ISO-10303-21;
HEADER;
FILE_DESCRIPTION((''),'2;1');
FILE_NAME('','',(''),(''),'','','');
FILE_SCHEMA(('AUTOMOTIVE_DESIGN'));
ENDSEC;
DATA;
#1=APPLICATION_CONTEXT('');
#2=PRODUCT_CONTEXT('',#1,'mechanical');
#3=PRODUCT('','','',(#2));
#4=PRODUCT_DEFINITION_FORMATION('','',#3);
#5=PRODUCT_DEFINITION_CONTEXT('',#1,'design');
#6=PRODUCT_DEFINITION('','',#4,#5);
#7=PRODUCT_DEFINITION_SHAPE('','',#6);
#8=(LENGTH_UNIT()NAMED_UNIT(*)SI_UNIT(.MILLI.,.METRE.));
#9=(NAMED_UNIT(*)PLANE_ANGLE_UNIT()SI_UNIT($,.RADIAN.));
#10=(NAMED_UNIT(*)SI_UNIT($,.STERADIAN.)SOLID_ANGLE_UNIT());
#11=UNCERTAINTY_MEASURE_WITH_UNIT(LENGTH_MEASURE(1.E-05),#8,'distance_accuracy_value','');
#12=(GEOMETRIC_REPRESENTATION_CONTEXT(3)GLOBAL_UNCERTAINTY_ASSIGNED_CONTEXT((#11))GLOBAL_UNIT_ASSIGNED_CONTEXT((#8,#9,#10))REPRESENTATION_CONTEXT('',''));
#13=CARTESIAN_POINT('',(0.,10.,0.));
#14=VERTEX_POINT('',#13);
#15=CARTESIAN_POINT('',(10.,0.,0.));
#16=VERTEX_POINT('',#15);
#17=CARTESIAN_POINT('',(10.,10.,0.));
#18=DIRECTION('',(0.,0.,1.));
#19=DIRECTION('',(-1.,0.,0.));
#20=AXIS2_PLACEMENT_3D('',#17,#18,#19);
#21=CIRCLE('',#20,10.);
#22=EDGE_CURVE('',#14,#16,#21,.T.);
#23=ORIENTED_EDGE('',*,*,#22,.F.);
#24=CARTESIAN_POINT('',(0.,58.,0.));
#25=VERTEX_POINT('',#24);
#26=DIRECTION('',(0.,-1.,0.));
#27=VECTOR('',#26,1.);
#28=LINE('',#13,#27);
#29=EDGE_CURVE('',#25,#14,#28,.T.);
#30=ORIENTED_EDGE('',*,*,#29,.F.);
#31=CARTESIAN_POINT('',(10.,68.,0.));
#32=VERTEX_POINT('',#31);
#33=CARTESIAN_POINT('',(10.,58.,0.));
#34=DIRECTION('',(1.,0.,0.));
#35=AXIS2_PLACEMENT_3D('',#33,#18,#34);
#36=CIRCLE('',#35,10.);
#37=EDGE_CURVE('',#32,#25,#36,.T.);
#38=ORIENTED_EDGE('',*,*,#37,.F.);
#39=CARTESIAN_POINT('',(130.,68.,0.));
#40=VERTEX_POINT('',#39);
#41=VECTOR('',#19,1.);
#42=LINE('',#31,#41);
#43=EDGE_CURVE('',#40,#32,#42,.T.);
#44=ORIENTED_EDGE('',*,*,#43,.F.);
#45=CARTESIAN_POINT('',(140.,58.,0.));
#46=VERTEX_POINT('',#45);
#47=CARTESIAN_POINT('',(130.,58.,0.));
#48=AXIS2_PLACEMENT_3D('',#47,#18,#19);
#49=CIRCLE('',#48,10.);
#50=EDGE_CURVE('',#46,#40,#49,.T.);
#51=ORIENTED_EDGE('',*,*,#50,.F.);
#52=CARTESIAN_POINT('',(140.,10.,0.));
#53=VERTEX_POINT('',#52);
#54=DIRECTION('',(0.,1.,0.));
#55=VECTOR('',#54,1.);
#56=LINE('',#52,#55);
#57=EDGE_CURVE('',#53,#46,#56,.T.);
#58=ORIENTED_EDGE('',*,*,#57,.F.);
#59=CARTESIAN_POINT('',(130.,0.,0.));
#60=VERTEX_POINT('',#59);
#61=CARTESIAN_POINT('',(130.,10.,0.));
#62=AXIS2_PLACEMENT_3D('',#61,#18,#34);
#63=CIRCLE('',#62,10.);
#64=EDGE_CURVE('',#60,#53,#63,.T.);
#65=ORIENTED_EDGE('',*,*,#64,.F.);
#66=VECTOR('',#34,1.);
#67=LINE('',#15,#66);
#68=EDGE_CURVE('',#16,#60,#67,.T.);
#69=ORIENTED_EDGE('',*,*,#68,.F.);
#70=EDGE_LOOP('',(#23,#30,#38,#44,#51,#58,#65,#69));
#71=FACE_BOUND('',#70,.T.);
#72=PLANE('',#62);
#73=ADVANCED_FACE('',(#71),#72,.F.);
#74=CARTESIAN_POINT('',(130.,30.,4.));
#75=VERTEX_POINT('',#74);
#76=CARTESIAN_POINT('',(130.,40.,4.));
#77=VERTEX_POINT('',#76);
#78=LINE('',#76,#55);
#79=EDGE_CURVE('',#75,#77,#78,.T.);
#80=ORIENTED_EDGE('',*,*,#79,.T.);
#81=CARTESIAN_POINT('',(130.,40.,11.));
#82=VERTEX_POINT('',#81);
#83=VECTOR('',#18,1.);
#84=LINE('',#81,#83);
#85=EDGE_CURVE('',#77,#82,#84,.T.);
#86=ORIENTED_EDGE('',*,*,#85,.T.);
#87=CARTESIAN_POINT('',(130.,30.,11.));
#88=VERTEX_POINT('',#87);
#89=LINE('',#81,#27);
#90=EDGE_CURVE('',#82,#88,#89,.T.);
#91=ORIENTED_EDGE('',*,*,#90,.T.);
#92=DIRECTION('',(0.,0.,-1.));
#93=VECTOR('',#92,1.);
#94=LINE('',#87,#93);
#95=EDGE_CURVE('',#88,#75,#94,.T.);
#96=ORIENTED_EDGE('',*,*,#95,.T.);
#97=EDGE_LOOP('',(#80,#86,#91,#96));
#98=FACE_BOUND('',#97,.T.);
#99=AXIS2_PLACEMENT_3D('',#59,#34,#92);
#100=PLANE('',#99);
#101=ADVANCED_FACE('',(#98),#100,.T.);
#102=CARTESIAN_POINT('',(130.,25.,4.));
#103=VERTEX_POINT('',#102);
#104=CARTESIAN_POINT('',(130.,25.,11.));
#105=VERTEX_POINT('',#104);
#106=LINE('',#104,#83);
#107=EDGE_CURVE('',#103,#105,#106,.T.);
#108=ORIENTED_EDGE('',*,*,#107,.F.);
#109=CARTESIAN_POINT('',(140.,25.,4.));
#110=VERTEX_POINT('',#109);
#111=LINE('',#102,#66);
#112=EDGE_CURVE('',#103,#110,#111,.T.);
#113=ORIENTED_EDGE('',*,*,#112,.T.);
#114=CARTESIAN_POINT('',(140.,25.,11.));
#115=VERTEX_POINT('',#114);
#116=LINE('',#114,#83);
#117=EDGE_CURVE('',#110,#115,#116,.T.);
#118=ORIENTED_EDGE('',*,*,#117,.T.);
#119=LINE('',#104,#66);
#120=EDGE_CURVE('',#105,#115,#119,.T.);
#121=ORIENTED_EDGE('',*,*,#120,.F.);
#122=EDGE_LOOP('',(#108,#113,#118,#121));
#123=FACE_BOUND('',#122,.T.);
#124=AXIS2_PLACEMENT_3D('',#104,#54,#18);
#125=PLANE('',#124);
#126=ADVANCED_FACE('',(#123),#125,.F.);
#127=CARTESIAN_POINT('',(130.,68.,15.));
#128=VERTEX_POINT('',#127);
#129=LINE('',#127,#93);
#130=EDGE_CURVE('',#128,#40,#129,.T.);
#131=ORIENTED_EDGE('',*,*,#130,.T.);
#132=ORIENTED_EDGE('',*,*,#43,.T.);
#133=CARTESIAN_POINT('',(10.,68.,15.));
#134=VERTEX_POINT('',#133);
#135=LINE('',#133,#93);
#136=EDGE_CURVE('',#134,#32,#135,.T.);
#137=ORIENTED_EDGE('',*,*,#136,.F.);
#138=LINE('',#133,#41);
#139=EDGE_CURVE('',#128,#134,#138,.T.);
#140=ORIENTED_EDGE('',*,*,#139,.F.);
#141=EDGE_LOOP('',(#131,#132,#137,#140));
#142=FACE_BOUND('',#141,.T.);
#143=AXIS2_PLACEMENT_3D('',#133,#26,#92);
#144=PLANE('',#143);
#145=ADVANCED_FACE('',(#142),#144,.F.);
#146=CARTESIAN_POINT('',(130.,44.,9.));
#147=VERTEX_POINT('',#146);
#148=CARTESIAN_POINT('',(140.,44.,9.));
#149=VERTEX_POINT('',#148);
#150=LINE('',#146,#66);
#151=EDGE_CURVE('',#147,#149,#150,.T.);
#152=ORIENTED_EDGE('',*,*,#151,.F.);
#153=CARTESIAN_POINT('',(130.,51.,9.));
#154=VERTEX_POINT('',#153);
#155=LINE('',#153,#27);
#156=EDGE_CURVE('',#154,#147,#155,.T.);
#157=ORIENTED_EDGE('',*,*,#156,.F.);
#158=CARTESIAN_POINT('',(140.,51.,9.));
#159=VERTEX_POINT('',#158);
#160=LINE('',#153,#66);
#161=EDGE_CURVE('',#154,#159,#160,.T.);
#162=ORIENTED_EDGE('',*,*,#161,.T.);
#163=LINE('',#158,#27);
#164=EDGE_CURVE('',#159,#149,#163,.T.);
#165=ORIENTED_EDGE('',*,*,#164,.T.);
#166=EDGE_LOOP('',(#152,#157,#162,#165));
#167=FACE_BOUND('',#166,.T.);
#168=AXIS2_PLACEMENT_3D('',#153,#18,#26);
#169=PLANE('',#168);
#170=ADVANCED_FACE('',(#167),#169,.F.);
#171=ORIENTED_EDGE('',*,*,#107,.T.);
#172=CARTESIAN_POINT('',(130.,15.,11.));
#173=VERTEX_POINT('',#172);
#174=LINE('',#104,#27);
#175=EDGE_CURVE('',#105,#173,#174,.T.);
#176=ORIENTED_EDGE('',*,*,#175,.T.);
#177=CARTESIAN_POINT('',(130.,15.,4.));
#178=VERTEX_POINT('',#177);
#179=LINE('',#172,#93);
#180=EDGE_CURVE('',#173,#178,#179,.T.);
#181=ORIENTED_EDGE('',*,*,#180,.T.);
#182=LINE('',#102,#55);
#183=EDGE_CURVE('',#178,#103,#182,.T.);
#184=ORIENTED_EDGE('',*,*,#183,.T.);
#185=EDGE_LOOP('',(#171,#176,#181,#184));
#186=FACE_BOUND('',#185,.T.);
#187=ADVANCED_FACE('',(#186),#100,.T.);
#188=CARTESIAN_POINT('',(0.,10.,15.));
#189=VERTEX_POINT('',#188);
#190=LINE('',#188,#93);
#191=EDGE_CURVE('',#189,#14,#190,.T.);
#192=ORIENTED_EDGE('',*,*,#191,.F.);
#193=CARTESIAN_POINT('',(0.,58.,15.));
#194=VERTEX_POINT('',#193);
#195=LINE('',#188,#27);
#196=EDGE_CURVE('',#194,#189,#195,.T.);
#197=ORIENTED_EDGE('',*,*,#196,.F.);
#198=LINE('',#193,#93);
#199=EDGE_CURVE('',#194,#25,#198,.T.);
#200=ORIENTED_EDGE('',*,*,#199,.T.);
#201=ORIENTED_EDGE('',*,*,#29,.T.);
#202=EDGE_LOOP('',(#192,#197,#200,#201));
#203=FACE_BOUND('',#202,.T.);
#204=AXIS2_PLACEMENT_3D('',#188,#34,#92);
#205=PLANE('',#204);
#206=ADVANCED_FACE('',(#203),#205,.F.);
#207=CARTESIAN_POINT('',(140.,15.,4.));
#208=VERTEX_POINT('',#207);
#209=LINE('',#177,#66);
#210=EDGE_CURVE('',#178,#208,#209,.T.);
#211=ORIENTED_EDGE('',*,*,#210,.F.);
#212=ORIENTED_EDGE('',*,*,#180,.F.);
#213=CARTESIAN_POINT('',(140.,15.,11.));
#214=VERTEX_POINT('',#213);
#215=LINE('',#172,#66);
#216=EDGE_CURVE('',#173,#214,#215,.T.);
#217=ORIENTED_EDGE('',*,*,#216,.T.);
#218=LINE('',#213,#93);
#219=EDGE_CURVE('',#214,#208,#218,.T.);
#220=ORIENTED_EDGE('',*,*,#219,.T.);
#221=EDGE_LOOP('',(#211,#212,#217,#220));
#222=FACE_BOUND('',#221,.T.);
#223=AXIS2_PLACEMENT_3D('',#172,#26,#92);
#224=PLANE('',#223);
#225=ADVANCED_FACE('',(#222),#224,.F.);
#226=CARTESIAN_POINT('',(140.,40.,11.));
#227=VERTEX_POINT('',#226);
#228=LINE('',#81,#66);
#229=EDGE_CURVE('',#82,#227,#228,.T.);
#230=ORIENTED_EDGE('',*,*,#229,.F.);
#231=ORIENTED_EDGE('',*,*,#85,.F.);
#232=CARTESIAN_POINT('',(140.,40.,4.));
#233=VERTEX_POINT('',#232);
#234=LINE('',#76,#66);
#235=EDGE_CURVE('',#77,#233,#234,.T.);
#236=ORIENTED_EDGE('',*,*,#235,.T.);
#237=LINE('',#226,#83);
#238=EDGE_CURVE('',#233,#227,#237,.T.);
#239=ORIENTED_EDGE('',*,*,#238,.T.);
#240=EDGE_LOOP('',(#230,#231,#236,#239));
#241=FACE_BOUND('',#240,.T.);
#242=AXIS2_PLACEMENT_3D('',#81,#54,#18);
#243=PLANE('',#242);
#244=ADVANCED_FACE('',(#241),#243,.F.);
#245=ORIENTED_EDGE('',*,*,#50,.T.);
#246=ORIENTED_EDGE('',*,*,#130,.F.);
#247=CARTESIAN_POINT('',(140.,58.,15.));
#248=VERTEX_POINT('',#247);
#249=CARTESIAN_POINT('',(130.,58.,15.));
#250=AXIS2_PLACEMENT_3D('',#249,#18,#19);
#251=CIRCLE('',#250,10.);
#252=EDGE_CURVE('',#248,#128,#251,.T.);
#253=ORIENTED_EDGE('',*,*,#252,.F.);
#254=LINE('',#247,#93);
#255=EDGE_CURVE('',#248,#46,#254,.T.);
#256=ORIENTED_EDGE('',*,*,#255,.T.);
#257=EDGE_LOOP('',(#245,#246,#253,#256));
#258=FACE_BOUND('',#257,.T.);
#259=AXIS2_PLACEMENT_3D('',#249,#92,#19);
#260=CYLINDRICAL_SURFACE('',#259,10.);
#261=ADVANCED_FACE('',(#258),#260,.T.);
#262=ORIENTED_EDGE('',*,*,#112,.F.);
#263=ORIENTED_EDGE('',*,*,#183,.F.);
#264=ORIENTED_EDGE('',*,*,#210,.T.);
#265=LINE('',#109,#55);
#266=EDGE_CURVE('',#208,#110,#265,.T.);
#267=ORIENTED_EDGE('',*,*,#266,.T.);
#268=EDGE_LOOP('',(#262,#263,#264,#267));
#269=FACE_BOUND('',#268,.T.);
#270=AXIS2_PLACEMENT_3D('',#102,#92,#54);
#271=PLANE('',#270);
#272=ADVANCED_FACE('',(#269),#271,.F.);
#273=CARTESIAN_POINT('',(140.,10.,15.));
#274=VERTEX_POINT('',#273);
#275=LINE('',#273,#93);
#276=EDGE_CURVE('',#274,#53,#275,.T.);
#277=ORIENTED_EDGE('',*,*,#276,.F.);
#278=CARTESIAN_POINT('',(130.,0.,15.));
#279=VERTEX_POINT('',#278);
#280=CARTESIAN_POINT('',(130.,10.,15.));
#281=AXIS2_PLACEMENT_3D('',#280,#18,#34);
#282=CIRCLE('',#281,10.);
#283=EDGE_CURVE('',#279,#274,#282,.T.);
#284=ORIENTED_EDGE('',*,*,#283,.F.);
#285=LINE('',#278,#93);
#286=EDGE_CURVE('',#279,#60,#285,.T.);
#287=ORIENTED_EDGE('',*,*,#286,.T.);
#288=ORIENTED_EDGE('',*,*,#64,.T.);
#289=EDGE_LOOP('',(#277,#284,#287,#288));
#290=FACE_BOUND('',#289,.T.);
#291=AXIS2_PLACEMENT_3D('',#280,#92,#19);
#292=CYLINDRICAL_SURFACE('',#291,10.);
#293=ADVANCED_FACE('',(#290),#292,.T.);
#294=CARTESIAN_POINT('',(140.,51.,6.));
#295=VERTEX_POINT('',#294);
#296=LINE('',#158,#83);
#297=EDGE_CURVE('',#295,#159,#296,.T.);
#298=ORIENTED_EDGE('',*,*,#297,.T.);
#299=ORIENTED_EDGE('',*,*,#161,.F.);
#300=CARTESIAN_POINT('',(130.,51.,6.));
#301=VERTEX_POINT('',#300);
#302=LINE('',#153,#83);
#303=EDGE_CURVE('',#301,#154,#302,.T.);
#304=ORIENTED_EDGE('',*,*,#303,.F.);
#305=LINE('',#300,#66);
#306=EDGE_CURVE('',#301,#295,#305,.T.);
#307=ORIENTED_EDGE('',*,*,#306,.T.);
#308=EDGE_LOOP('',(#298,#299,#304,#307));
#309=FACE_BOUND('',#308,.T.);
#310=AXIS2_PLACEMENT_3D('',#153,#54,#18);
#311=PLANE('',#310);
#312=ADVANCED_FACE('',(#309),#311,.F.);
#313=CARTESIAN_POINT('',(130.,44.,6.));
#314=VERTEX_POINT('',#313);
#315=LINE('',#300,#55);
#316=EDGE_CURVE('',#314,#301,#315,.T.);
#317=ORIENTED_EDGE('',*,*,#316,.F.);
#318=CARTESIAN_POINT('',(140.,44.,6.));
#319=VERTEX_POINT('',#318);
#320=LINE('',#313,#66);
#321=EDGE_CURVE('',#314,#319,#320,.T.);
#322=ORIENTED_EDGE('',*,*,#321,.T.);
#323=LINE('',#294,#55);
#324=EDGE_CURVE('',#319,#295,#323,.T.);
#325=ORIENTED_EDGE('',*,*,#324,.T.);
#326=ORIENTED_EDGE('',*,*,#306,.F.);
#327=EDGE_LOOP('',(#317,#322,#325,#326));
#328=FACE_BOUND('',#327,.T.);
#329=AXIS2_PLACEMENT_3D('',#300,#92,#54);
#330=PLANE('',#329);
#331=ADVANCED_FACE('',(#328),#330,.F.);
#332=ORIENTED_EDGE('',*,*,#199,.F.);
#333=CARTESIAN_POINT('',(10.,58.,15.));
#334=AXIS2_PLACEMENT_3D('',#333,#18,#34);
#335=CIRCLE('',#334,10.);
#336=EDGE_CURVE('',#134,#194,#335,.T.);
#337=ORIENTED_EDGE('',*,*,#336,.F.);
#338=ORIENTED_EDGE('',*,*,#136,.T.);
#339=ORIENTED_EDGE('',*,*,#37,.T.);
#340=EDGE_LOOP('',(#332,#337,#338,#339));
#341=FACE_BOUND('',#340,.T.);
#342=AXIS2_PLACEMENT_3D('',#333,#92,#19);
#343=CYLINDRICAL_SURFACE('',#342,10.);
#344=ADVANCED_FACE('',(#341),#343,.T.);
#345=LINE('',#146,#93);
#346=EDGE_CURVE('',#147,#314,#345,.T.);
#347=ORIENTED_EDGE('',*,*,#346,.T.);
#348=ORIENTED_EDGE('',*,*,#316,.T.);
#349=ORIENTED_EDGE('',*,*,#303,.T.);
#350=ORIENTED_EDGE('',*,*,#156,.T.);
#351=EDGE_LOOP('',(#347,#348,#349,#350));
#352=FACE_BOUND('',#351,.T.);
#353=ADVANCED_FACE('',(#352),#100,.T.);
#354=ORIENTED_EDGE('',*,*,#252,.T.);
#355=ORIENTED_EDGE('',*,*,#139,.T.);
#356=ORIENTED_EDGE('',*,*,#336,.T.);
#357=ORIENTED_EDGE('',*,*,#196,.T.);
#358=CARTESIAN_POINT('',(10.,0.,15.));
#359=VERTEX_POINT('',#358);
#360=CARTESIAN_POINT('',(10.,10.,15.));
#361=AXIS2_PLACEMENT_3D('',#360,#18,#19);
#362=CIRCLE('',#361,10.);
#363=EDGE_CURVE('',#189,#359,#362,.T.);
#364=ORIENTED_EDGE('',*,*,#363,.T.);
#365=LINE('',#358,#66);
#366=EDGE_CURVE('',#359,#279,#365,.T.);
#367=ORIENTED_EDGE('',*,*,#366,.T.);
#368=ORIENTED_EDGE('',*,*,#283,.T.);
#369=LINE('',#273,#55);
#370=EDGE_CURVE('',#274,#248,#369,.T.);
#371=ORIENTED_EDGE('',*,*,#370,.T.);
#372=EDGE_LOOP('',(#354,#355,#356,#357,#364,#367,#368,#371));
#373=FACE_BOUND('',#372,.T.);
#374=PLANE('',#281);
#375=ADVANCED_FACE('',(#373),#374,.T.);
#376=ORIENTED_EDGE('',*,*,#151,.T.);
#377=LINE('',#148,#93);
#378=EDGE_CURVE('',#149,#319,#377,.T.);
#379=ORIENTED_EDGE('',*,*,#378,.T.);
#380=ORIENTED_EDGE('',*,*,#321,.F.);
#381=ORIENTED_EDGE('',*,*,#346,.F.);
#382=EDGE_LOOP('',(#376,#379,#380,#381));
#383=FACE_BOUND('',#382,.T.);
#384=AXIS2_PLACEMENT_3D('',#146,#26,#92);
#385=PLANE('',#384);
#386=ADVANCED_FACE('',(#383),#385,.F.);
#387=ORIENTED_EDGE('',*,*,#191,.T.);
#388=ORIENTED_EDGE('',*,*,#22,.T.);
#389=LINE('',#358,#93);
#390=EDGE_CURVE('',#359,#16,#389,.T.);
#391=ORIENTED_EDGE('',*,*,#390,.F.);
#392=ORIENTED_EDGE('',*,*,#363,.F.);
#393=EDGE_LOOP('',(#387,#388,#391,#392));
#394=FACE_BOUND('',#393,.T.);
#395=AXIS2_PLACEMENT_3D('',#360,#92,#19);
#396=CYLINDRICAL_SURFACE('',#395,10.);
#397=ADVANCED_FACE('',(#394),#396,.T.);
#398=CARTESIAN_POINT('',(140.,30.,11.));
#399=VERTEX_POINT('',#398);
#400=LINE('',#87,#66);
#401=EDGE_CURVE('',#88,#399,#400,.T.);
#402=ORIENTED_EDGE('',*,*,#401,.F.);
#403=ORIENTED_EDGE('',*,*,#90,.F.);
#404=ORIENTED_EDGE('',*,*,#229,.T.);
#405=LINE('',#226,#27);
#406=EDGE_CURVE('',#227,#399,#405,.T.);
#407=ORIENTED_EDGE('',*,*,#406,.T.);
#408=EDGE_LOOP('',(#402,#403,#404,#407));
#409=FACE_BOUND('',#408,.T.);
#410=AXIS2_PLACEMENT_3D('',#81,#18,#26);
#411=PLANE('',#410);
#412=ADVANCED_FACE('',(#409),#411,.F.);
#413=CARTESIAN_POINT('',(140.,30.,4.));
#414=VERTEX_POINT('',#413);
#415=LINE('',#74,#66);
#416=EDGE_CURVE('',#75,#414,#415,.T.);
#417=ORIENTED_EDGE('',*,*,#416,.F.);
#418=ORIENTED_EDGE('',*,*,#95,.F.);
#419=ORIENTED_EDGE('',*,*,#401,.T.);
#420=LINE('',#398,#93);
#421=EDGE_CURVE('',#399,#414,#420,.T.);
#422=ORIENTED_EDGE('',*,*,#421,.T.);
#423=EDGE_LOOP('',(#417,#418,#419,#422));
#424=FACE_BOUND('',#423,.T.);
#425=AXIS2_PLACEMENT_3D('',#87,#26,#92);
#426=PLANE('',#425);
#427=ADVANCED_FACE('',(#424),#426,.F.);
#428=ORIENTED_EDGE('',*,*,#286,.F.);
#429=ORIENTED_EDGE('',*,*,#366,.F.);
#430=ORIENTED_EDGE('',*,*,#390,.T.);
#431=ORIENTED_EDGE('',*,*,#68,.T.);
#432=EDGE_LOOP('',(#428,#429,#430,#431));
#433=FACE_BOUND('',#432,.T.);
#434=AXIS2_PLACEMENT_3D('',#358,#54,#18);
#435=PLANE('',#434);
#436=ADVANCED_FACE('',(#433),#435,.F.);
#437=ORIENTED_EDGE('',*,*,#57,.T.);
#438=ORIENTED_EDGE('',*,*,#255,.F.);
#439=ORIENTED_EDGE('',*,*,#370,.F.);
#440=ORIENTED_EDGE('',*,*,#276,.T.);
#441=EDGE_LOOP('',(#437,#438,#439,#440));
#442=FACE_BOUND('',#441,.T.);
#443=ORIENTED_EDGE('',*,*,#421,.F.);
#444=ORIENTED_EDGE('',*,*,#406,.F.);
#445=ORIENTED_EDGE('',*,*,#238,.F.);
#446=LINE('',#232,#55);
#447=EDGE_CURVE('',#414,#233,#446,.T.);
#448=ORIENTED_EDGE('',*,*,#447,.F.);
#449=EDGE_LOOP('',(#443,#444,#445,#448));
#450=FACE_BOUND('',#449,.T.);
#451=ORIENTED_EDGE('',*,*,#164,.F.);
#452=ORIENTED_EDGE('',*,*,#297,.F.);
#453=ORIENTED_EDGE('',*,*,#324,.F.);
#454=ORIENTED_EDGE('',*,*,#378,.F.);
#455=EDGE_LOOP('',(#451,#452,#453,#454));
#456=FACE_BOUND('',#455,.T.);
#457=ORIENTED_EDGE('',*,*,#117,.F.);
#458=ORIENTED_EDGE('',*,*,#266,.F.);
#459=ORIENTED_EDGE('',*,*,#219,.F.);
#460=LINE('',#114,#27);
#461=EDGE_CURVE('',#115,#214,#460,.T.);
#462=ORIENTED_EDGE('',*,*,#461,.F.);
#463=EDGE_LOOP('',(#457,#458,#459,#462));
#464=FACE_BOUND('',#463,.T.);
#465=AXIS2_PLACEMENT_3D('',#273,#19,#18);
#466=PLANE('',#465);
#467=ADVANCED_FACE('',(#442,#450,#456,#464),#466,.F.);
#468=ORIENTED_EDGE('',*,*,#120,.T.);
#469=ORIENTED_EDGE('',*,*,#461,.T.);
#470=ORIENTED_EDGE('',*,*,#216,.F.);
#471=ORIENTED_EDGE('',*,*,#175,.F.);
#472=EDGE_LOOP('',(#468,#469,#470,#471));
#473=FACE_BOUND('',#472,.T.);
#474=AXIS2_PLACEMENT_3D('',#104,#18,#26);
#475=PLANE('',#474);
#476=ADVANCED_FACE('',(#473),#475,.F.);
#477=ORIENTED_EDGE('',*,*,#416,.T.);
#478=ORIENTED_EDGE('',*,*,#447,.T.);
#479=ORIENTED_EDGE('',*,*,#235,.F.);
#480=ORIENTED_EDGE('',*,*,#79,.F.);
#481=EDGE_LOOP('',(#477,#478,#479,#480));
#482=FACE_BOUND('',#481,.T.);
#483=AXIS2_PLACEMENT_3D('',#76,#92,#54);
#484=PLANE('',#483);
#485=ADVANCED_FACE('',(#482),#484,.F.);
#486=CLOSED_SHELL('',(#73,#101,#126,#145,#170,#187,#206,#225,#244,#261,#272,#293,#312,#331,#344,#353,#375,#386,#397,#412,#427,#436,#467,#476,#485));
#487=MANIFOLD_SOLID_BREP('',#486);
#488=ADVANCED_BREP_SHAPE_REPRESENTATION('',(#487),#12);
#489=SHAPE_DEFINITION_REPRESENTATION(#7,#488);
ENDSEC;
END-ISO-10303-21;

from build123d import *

# Parameters (mm, degrees)
Y_KSEKLIK_EKSTR_ZYON1_DEPTH = 15
IZIM2_W                     = 7
IZIM2_H                     = 10
IZIM2_W_2                   = 3
IZIM2_H_2                   = 7
KES_EKSTR_ZYON1_DEPTH       = 10


with BuildPart() as part:
    # Çizim1 → Yükseklik-Ekstrüzyon1 (new body)
    with BuildSketch(Plane.XY):
        with BuildLine():
            Line((10, 0), (130, 0))
            ThreePointArc((130, 0), (137.071067812, 2.928932188), (140, 10))
            Line((140, 10), (140, 58))
            ThreePointArc((140, 58), (137.071067812, 65.071067812), (130, 68))
            Line((130, 68), (10, 68))
            ThreePointArc((10, 68), (2.928932188, 65.071067812), (0, 58))
            Line((0, 58), (0, 10))
            ThreePointArc((0, 10), (2.928932188, 2.928932188), (10, 0))
        make_face()
    extrude(amount=Y_KSEKLIK_EKSTR_ZYON1_DEPTH)

    # Çizim2 → Kes-Ekstrüzyon1 (cut)
    with BuildSketch(Plane(origin=(140, 0, 0), x_dir=(0, 0, -1), z_dir=(1, 0, 0))):
        with Locations((-7.5, 20)):
            Rectangle(IZIM2_W, IZIM2_H)
        with Locations((-7.5, 35)):
            Rectangle(IZIM2_W, IZIM2_H)
        with Locations((-7.5, 47.5)):
            Rectangle(IZIM2_W_2, IZIM2_H_2)
    extrude(amount=-KES_EKSTR_ZYON1_DEPTH, mode=Mode.SUBTRACT)


solid = part.part
